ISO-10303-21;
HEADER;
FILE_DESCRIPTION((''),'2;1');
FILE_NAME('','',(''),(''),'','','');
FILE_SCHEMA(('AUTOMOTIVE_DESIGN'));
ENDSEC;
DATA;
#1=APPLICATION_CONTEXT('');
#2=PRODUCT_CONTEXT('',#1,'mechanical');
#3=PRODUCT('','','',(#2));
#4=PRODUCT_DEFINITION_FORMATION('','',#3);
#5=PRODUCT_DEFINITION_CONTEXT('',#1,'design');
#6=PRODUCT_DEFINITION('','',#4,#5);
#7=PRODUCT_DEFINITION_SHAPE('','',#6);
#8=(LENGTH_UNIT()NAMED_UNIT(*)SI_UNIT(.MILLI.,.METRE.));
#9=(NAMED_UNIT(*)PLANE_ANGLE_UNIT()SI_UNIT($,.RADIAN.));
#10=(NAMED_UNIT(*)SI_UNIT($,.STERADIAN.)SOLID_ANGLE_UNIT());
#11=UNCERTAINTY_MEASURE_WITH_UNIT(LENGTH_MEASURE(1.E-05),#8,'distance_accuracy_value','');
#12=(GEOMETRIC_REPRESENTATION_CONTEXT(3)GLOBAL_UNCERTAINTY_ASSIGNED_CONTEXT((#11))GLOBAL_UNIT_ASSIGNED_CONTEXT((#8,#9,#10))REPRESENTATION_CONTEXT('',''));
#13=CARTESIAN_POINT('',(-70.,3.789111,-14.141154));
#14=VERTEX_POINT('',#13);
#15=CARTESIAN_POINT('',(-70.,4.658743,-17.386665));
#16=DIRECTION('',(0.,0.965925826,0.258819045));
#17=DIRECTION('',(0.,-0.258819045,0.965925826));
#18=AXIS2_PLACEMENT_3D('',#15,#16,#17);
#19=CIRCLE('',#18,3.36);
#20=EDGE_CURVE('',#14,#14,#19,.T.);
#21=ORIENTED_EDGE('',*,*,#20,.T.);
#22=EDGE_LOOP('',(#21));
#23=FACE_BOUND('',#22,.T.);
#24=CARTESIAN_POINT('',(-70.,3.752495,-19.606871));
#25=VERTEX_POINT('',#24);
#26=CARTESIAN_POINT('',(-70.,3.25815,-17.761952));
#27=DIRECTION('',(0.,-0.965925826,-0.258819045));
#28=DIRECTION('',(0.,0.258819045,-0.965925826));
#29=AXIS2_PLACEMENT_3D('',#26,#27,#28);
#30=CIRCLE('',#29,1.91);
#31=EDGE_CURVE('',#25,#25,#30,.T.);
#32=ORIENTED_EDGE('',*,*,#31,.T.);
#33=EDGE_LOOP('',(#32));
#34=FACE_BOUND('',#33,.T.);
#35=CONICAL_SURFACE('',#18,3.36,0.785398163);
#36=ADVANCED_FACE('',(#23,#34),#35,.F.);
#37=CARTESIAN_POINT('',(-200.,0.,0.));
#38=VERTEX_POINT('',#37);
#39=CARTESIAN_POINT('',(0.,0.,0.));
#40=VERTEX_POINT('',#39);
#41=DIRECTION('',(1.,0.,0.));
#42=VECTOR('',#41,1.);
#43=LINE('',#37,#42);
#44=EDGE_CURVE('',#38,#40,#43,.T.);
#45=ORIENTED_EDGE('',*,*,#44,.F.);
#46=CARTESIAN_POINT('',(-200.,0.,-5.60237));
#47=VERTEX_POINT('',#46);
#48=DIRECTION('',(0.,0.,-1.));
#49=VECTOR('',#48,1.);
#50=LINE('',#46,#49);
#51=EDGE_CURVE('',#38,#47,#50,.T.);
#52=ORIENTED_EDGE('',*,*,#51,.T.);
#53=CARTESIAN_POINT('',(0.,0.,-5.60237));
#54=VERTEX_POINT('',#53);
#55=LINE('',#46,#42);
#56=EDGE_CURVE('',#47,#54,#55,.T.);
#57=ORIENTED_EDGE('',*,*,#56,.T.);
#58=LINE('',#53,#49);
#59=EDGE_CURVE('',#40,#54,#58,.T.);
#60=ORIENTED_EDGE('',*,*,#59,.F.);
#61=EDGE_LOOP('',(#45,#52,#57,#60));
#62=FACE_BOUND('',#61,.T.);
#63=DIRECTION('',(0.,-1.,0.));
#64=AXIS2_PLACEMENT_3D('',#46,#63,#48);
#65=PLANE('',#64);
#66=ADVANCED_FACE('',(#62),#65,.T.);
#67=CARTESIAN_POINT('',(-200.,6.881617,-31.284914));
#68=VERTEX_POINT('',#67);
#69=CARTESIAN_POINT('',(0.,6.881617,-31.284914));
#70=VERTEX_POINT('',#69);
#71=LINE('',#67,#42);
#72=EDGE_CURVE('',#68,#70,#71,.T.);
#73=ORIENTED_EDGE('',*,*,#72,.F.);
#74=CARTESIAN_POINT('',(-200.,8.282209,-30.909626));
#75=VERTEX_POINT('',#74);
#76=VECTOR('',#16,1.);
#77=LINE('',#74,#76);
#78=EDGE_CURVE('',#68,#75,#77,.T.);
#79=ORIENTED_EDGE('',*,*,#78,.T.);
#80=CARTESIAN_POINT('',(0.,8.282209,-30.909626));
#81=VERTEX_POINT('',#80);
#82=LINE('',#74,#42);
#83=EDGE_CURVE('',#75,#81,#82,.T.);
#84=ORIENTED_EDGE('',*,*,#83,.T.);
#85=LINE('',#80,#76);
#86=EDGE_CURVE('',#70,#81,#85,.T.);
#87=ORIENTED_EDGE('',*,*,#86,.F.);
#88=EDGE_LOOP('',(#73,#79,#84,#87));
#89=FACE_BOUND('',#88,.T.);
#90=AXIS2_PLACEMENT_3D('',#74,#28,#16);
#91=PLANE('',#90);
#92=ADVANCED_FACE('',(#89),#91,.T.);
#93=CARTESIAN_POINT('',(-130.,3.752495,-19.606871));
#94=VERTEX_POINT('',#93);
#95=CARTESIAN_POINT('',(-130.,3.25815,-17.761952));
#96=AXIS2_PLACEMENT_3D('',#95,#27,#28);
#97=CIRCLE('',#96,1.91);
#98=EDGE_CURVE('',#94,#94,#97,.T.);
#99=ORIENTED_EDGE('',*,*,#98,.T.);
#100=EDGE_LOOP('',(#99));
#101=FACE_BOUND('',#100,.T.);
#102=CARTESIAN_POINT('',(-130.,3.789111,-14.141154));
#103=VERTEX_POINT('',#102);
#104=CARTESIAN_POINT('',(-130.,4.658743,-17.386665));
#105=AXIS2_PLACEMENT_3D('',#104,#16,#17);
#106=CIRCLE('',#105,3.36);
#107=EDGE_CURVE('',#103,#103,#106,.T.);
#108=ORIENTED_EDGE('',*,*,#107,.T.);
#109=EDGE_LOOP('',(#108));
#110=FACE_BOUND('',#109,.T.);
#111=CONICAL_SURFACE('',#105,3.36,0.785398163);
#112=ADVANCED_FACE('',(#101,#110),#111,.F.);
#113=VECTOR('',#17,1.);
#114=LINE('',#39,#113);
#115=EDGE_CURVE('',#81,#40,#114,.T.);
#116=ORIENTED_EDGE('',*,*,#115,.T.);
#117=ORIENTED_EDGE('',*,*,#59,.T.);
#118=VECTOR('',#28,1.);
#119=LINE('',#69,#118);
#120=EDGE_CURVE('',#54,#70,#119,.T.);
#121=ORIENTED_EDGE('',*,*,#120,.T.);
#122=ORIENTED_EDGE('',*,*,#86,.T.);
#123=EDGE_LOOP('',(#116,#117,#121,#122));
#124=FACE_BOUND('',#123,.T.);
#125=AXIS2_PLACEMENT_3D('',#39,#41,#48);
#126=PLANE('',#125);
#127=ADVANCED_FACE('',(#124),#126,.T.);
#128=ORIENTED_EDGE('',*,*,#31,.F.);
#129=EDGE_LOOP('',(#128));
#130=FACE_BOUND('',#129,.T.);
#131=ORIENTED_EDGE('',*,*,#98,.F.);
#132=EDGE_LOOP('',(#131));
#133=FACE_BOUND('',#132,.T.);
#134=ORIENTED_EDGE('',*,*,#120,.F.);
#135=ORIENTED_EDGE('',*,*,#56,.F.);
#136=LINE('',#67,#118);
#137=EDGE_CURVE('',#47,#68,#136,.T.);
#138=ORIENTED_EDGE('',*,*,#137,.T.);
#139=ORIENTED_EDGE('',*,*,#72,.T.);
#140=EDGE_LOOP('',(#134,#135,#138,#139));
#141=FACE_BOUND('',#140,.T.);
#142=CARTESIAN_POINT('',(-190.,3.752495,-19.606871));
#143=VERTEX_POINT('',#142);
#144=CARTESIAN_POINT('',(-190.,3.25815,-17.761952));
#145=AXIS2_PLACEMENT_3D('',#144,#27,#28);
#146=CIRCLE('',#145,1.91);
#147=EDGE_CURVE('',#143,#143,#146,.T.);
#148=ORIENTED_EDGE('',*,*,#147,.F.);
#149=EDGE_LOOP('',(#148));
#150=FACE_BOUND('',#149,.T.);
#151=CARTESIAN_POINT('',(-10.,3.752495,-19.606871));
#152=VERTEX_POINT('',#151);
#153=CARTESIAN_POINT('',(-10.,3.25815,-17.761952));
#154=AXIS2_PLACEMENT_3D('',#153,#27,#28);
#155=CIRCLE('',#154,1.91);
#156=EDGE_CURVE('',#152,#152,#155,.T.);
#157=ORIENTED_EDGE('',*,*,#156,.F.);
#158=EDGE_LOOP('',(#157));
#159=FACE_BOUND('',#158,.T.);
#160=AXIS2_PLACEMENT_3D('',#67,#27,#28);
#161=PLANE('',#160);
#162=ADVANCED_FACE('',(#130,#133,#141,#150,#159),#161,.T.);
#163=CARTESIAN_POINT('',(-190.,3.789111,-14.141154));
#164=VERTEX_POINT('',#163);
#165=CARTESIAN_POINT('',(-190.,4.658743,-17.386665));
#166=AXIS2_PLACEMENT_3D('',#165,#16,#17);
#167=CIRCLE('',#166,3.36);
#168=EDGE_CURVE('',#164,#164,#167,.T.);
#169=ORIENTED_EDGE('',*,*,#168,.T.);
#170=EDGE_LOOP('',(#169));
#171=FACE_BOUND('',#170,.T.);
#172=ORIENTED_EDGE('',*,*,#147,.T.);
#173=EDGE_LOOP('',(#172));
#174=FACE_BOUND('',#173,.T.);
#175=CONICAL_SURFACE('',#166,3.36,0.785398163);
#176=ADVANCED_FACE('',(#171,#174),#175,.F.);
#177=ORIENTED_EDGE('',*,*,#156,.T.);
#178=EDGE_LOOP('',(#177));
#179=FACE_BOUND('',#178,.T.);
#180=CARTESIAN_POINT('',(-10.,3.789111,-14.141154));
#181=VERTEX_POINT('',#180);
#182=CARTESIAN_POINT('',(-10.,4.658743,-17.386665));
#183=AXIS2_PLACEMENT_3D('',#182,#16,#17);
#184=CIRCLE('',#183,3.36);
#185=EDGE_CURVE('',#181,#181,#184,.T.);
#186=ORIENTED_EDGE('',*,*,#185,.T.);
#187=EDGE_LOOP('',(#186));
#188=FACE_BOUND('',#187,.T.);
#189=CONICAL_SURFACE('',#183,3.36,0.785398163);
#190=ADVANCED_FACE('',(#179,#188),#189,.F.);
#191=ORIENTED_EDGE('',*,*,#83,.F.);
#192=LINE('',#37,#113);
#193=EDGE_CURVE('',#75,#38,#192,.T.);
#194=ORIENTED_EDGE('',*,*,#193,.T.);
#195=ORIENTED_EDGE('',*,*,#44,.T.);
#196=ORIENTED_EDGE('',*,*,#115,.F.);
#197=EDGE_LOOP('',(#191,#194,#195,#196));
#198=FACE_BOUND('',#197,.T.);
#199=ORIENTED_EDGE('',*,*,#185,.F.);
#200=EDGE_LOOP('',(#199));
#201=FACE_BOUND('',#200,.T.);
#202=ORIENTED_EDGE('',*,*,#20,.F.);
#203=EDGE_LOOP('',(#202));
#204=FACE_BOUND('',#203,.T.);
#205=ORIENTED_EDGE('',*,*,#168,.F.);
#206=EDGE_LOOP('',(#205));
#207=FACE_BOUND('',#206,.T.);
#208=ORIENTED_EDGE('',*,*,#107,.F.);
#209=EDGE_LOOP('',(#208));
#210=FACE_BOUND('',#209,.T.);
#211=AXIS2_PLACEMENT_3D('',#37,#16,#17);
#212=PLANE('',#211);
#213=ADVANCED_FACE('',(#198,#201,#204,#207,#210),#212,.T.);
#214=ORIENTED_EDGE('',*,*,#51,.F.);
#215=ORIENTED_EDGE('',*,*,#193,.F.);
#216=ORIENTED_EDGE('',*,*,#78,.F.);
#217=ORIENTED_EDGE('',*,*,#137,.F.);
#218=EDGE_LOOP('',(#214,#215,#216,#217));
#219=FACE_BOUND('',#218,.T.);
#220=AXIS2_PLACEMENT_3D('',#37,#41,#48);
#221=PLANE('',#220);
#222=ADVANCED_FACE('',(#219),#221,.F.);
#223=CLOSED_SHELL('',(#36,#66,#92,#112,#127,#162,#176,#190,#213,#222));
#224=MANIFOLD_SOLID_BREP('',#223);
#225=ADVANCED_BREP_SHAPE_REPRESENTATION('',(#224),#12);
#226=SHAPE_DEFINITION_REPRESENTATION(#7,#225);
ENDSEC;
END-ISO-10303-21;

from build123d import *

# Parameters (mm, degrees)
SALIENTE_EXTRUIR1_DEPTH                              = 200
REFRENTADO_PARA_TORNILLO_TAP_N_CON_CABEZ_D           = 3.4
REFRENTADO_PARA_TORNILLO_TAP_N_CON_CABEZ_CSINK_D     = 6.72
REFRENTADO_PARA_TORNILLO_TAP_N_CON_CABEZ_CSINK_ANGLE = 90


with BuildPart() as part:
    # Croquis1 → Saliente-Extruir1 (new body)
    with BuildSketch(Plane(origin=(0, 0, 0), x_dir=(0, 0, -1), z_dir=(1, 0, 0))):
        Polygon((0, 0), (30.909626441, 8.282209443), (31.284914057, 6.881616995), (5.602369792, 0), align=None)
    extrude(amount=-SALIENTE_EXTRUIR1_DEPTH)

    # Refrentado para tornillo tapón con cabeza plana de clavija de M31 (through all)
    with Locations(Plane(origin=(0, 0, 0), x_dir=(1, 0, 0), z_dir=(0, 0.9659258262890681, 0.2588190451025215))):
        with Locations((-190, 18), (-130, 18), (-70, 18), (-10, 18)):
            CounterSinkHole(REFRENTADO_PARA_TORNILLO_TAP_N_CON_CABEZ_D / 2, REFRENTADO_PARA_TORNILLO_TAP_N_CON_CABEZ_CSINK_D / 2, counter_sink_angle=REFRENTADO_PARA_TORNILLO_TAP_N_CON_CABEZ_CSINK_ANGLE)


solid = part.part
